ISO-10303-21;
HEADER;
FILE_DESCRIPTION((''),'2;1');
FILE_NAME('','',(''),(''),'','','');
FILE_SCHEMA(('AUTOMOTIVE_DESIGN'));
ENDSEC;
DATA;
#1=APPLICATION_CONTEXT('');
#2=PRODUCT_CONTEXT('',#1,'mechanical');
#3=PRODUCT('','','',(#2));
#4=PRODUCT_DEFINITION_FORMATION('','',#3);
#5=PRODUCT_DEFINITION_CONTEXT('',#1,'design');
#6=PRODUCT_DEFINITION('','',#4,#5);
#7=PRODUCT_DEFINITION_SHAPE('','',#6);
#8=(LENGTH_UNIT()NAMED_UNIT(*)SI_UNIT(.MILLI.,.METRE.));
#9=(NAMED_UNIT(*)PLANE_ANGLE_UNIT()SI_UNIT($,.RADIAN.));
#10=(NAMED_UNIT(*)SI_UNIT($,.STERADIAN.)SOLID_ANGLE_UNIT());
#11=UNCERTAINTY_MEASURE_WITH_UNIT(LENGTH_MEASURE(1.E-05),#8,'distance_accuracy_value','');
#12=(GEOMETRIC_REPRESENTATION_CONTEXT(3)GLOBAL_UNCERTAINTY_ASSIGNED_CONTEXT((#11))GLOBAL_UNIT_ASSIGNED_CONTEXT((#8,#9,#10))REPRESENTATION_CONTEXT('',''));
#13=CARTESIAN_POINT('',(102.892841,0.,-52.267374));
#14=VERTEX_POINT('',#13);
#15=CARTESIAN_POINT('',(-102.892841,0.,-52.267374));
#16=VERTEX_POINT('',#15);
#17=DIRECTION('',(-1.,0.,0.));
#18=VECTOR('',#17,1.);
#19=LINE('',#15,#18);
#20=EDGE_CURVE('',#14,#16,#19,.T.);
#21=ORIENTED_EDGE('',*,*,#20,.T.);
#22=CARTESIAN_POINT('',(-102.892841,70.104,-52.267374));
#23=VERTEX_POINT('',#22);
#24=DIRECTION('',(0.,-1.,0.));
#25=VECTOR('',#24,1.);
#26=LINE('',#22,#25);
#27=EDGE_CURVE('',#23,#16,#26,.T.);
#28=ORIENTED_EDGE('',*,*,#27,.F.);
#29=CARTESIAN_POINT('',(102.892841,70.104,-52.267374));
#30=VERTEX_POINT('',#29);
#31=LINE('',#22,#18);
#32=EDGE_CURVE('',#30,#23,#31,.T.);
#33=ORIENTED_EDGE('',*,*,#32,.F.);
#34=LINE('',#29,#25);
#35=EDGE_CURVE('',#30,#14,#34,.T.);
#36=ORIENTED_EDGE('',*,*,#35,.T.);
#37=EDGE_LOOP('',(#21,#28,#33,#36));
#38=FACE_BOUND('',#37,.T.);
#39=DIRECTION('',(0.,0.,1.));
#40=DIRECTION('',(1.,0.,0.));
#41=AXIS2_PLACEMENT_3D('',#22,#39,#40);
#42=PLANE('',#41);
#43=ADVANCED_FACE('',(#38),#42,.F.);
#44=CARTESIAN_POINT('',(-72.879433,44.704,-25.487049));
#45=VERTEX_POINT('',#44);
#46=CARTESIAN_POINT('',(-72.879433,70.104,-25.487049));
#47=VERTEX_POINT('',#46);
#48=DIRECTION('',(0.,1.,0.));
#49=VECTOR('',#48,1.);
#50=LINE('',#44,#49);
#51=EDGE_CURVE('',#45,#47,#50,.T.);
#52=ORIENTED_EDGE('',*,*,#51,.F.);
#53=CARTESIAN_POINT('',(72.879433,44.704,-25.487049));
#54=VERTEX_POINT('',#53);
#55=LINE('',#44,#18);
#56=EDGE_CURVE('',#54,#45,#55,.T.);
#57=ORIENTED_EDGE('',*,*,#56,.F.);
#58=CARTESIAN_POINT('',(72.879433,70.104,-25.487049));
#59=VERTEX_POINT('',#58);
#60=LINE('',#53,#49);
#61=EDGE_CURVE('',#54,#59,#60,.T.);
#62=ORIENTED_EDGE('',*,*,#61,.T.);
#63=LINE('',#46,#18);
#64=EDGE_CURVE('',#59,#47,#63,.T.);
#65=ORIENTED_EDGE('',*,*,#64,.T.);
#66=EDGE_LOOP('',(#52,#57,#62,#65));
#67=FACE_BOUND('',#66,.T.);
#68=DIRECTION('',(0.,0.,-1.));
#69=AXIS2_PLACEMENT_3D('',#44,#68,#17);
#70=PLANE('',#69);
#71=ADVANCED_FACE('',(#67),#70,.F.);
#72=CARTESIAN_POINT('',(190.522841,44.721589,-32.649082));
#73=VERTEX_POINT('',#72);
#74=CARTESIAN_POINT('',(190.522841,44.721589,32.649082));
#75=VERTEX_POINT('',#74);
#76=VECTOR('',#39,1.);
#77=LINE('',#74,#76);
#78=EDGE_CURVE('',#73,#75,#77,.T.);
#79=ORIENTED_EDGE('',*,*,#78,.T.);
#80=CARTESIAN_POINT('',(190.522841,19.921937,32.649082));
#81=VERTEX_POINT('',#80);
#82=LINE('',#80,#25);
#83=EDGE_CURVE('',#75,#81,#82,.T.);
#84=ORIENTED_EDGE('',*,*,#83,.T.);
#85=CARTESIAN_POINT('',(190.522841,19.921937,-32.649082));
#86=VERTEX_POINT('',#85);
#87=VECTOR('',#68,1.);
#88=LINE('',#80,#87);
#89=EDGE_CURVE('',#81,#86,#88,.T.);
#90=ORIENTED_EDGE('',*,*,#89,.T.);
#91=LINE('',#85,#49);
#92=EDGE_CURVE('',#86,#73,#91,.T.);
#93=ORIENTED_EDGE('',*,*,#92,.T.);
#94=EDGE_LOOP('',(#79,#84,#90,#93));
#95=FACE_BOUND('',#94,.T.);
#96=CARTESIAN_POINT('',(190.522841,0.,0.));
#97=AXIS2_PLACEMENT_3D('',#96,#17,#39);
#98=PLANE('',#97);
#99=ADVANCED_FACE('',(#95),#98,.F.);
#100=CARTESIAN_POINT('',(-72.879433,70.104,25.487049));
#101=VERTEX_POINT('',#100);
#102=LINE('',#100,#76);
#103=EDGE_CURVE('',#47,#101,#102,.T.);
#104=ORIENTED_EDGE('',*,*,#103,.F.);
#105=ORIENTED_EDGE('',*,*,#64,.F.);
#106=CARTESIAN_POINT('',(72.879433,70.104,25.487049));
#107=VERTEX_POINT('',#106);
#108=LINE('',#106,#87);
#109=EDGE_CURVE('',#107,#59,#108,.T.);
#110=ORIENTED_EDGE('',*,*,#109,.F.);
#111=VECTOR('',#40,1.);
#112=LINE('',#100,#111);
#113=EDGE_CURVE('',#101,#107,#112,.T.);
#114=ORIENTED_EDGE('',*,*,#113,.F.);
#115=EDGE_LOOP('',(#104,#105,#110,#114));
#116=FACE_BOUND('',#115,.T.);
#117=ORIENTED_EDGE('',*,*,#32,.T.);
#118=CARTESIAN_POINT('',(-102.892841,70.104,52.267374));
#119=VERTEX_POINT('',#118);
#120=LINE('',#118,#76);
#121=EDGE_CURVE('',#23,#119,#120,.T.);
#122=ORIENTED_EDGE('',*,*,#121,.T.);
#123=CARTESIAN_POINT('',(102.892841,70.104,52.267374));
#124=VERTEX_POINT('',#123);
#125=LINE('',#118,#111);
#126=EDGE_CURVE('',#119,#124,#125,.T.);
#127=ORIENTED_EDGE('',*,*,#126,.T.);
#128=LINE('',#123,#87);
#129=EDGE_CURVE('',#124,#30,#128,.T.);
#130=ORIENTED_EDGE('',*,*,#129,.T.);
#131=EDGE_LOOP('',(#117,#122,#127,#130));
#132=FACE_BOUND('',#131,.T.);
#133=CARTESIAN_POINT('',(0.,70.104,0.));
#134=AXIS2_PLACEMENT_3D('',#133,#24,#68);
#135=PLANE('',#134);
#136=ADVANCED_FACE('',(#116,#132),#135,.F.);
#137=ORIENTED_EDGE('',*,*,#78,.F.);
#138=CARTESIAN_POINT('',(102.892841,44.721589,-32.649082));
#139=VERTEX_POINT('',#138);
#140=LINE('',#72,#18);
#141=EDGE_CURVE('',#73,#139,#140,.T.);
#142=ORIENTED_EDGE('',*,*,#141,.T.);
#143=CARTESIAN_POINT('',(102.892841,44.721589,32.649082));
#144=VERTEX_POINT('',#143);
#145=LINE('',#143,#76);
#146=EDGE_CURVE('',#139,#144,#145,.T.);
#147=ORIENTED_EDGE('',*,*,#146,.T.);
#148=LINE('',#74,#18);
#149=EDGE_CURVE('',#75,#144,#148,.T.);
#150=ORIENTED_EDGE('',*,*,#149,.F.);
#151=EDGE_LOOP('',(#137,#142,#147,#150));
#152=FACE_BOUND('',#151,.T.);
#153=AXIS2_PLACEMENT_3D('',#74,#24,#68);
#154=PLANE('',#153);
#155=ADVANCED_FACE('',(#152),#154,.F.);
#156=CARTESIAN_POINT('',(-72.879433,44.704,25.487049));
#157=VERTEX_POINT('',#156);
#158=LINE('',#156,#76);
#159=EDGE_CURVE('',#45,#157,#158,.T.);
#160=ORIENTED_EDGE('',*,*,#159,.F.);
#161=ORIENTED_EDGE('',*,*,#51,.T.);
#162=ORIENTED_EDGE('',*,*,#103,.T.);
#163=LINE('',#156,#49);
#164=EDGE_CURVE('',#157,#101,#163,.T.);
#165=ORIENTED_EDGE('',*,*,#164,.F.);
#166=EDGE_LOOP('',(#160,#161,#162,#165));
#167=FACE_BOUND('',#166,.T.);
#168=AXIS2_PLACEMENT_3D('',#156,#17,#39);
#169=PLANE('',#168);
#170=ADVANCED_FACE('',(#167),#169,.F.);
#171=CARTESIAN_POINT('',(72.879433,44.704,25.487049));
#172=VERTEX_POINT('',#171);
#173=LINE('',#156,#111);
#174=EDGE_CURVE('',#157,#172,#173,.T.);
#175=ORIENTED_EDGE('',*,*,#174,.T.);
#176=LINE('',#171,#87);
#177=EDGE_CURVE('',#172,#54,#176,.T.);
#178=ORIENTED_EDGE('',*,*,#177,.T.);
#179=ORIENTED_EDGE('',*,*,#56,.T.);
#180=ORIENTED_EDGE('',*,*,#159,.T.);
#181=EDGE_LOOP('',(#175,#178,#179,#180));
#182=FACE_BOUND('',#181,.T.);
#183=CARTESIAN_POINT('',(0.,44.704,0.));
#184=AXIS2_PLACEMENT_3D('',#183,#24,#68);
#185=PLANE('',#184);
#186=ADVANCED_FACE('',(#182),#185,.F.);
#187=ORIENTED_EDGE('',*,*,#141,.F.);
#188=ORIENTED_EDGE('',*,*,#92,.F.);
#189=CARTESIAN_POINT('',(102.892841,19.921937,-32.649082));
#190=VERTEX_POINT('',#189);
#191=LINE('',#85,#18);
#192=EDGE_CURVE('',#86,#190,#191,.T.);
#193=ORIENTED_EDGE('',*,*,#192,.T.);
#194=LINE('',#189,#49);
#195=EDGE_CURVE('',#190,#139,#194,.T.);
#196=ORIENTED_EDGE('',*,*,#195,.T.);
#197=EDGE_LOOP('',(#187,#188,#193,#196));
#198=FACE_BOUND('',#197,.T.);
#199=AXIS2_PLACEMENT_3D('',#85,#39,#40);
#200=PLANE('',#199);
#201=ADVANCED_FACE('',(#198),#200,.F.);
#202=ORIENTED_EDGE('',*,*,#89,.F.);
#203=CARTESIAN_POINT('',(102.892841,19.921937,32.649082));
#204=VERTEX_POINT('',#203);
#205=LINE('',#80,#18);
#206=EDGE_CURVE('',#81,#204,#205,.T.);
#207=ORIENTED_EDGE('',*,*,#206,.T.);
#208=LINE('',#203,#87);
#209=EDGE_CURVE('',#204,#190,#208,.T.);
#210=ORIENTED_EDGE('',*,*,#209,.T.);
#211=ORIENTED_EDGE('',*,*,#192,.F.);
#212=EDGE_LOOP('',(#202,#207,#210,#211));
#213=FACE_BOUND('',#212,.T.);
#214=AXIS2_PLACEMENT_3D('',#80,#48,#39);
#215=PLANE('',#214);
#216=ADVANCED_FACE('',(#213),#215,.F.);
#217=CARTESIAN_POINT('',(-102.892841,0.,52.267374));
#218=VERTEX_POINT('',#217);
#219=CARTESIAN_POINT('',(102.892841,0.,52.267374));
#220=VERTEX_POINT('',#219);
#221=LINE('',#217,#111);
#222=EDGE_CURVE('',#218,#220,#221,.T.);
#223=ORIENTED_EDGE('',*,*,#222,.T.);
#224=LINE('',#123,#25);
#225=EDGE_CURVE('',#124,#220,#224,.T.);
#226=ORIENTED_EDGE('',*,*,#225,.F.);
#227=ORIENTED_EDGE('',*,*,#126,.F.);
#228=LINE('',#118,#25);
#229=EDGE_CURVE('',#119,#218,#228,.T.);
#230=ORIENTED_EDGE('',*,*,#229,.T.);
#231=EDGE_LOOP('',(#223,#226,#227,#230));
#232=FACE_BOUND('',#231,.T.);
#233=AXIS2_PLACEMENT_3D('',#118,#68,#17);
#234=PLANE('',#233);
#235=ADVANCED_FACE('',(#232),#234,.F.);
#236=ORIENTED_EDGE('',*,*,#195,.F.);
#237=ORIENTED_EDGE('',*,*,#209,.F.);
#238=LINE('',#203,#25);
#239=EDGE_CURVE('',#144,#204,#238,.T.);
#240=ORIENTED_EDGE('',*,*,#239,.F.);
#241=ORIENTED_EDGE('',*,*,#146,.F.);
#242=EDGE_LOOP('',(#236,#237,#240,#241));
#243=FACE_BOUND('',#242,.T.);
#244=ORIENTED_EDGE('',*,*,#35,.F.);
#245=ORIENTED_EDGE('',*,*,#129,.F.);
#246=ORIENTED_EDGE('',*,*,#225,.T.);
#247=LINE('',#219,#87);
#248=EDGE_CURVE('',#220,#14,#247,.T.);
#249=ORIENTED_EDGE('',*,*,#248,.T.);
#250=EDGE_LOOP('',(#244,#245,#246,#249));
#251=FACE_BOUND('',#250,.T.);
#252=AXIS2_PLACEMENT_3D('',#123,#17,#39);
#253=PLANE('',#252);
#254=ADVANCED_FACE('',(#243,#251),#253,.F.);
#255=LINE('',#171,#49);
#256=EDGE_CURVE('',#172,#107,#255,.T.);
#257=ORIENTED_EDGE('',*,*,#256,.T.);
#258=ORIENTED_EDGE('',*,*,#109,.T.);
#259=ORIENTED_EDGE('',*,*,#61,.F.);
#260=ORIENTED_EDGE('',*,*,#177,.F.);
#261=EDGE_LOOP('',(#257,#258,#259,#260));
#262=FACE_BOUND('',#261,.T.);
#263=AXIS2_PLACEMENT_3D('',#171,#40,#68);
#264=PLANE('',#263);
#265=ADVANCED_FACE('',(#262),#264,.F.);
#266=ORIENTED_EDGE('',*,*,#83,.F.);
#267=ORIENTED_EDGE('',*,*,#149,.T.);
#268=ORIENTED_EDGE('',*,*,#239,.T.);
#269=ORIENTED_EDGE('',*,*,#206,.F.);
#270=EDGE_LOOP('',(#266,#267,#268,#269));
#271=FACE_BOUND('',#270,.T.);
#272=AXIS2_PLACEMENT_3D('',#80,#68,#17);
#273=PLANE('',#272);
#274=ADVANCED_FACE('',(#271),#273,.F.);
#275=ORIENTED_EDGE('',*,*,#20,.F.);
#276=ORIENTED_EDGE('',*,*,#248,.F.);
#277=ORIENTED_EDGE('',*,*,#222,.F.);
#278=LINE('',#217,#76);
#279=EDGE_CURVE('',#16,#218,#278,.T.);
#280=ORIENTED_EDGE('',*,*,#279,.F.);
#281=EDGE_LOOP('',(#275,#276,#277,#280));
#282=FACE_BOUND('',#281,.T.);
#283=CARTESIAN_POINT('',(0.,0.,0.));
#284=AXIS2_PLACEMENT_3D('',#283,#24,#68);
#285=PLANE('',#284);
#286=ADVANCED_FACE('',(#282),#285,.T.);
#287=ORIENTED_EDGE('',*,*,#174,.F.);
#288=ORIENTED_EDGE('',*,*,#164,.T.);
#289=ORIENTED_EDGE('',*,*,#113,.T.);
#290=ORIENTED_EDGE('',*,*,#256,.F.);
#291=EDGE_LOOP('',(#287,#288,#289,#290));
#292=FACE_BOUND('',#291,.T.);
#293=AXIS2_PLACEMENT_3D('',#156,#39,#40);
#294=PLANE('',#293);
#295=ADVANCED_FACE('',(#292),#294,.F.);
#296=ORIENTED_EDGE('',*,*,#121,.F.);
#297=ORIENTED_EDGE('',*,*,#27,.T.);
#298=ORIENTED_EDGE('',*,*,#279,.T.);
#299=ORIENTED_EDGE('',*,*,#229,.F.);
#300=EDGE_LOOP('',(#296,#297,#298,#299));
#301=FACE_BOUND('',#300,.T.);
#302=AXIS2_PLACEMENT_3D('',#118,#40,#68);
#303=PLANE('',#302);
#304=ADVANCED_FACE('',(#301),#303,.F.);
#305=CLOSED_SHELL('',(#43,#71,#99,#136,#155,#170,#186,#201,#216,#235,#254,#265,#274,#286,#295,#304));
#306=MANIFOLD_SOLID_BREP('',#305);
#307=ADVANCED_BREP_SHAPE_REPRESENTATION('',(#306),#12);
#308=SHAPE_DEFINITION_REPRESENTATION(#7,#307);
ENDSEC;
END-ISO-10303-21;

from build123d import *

# Parameters (mm, degrees)
SKETCH1_W           = 205.785682804
SKETCH1_H           = 104.534748446
BOSS_EXTRUDE1_DEPTH = 70.104
SKETCH2_W           = 145.758865666
SKETCH2_H           = 50.974097726
CUT_EXTRUDE1_DEPTH  = 25.4
SKETCH3_W           = 65.29816474
SKETCH3_H           = 24.799651417
BOSS_EXTRUDE2_DEPTH = 87.63


with BuildPart() as part:
    # Sketch1 → Boss-Extrude1 (new body)
    with BuildSketch(Plane(origin=(0, 0, 0), x_dir=(1, 0, 0), z_dir=(0, 1, 0))):
        Rectangle(SKETCH1_W, SKETCH1_H)
    extrude(amount=BOSS_EXTRUDE1_DEPTH)

    # Sketch2 → Cut-Extrude1 (cut)
    with BuildSketch(Plane(origin=(0, 70.104, 0), x_dir=(1, 0, 0), z_dir=(0, 1, 0))):
        Rectangle(SKETCH2_W, SKETCH2_H)
    extrude(amount=-CUT_EXTRUDE1_DEPTH, mode=Mode.SUBTRACT)

    # Sketch3 → Boss-Extrude2 (add)
    with BuildSketch(Plane(origin=(102.892841402, 0, 0), x_dir=(0, 0, -1), z_dir=(1, 0, 0))):
        with Locations((0, 32.321763147)):
            Rectangle(SKETCH3_W, SKETCH3_H)
    extrude(amount=BOSS_EXTRUDE2_DEPTH)


solid = part.part
